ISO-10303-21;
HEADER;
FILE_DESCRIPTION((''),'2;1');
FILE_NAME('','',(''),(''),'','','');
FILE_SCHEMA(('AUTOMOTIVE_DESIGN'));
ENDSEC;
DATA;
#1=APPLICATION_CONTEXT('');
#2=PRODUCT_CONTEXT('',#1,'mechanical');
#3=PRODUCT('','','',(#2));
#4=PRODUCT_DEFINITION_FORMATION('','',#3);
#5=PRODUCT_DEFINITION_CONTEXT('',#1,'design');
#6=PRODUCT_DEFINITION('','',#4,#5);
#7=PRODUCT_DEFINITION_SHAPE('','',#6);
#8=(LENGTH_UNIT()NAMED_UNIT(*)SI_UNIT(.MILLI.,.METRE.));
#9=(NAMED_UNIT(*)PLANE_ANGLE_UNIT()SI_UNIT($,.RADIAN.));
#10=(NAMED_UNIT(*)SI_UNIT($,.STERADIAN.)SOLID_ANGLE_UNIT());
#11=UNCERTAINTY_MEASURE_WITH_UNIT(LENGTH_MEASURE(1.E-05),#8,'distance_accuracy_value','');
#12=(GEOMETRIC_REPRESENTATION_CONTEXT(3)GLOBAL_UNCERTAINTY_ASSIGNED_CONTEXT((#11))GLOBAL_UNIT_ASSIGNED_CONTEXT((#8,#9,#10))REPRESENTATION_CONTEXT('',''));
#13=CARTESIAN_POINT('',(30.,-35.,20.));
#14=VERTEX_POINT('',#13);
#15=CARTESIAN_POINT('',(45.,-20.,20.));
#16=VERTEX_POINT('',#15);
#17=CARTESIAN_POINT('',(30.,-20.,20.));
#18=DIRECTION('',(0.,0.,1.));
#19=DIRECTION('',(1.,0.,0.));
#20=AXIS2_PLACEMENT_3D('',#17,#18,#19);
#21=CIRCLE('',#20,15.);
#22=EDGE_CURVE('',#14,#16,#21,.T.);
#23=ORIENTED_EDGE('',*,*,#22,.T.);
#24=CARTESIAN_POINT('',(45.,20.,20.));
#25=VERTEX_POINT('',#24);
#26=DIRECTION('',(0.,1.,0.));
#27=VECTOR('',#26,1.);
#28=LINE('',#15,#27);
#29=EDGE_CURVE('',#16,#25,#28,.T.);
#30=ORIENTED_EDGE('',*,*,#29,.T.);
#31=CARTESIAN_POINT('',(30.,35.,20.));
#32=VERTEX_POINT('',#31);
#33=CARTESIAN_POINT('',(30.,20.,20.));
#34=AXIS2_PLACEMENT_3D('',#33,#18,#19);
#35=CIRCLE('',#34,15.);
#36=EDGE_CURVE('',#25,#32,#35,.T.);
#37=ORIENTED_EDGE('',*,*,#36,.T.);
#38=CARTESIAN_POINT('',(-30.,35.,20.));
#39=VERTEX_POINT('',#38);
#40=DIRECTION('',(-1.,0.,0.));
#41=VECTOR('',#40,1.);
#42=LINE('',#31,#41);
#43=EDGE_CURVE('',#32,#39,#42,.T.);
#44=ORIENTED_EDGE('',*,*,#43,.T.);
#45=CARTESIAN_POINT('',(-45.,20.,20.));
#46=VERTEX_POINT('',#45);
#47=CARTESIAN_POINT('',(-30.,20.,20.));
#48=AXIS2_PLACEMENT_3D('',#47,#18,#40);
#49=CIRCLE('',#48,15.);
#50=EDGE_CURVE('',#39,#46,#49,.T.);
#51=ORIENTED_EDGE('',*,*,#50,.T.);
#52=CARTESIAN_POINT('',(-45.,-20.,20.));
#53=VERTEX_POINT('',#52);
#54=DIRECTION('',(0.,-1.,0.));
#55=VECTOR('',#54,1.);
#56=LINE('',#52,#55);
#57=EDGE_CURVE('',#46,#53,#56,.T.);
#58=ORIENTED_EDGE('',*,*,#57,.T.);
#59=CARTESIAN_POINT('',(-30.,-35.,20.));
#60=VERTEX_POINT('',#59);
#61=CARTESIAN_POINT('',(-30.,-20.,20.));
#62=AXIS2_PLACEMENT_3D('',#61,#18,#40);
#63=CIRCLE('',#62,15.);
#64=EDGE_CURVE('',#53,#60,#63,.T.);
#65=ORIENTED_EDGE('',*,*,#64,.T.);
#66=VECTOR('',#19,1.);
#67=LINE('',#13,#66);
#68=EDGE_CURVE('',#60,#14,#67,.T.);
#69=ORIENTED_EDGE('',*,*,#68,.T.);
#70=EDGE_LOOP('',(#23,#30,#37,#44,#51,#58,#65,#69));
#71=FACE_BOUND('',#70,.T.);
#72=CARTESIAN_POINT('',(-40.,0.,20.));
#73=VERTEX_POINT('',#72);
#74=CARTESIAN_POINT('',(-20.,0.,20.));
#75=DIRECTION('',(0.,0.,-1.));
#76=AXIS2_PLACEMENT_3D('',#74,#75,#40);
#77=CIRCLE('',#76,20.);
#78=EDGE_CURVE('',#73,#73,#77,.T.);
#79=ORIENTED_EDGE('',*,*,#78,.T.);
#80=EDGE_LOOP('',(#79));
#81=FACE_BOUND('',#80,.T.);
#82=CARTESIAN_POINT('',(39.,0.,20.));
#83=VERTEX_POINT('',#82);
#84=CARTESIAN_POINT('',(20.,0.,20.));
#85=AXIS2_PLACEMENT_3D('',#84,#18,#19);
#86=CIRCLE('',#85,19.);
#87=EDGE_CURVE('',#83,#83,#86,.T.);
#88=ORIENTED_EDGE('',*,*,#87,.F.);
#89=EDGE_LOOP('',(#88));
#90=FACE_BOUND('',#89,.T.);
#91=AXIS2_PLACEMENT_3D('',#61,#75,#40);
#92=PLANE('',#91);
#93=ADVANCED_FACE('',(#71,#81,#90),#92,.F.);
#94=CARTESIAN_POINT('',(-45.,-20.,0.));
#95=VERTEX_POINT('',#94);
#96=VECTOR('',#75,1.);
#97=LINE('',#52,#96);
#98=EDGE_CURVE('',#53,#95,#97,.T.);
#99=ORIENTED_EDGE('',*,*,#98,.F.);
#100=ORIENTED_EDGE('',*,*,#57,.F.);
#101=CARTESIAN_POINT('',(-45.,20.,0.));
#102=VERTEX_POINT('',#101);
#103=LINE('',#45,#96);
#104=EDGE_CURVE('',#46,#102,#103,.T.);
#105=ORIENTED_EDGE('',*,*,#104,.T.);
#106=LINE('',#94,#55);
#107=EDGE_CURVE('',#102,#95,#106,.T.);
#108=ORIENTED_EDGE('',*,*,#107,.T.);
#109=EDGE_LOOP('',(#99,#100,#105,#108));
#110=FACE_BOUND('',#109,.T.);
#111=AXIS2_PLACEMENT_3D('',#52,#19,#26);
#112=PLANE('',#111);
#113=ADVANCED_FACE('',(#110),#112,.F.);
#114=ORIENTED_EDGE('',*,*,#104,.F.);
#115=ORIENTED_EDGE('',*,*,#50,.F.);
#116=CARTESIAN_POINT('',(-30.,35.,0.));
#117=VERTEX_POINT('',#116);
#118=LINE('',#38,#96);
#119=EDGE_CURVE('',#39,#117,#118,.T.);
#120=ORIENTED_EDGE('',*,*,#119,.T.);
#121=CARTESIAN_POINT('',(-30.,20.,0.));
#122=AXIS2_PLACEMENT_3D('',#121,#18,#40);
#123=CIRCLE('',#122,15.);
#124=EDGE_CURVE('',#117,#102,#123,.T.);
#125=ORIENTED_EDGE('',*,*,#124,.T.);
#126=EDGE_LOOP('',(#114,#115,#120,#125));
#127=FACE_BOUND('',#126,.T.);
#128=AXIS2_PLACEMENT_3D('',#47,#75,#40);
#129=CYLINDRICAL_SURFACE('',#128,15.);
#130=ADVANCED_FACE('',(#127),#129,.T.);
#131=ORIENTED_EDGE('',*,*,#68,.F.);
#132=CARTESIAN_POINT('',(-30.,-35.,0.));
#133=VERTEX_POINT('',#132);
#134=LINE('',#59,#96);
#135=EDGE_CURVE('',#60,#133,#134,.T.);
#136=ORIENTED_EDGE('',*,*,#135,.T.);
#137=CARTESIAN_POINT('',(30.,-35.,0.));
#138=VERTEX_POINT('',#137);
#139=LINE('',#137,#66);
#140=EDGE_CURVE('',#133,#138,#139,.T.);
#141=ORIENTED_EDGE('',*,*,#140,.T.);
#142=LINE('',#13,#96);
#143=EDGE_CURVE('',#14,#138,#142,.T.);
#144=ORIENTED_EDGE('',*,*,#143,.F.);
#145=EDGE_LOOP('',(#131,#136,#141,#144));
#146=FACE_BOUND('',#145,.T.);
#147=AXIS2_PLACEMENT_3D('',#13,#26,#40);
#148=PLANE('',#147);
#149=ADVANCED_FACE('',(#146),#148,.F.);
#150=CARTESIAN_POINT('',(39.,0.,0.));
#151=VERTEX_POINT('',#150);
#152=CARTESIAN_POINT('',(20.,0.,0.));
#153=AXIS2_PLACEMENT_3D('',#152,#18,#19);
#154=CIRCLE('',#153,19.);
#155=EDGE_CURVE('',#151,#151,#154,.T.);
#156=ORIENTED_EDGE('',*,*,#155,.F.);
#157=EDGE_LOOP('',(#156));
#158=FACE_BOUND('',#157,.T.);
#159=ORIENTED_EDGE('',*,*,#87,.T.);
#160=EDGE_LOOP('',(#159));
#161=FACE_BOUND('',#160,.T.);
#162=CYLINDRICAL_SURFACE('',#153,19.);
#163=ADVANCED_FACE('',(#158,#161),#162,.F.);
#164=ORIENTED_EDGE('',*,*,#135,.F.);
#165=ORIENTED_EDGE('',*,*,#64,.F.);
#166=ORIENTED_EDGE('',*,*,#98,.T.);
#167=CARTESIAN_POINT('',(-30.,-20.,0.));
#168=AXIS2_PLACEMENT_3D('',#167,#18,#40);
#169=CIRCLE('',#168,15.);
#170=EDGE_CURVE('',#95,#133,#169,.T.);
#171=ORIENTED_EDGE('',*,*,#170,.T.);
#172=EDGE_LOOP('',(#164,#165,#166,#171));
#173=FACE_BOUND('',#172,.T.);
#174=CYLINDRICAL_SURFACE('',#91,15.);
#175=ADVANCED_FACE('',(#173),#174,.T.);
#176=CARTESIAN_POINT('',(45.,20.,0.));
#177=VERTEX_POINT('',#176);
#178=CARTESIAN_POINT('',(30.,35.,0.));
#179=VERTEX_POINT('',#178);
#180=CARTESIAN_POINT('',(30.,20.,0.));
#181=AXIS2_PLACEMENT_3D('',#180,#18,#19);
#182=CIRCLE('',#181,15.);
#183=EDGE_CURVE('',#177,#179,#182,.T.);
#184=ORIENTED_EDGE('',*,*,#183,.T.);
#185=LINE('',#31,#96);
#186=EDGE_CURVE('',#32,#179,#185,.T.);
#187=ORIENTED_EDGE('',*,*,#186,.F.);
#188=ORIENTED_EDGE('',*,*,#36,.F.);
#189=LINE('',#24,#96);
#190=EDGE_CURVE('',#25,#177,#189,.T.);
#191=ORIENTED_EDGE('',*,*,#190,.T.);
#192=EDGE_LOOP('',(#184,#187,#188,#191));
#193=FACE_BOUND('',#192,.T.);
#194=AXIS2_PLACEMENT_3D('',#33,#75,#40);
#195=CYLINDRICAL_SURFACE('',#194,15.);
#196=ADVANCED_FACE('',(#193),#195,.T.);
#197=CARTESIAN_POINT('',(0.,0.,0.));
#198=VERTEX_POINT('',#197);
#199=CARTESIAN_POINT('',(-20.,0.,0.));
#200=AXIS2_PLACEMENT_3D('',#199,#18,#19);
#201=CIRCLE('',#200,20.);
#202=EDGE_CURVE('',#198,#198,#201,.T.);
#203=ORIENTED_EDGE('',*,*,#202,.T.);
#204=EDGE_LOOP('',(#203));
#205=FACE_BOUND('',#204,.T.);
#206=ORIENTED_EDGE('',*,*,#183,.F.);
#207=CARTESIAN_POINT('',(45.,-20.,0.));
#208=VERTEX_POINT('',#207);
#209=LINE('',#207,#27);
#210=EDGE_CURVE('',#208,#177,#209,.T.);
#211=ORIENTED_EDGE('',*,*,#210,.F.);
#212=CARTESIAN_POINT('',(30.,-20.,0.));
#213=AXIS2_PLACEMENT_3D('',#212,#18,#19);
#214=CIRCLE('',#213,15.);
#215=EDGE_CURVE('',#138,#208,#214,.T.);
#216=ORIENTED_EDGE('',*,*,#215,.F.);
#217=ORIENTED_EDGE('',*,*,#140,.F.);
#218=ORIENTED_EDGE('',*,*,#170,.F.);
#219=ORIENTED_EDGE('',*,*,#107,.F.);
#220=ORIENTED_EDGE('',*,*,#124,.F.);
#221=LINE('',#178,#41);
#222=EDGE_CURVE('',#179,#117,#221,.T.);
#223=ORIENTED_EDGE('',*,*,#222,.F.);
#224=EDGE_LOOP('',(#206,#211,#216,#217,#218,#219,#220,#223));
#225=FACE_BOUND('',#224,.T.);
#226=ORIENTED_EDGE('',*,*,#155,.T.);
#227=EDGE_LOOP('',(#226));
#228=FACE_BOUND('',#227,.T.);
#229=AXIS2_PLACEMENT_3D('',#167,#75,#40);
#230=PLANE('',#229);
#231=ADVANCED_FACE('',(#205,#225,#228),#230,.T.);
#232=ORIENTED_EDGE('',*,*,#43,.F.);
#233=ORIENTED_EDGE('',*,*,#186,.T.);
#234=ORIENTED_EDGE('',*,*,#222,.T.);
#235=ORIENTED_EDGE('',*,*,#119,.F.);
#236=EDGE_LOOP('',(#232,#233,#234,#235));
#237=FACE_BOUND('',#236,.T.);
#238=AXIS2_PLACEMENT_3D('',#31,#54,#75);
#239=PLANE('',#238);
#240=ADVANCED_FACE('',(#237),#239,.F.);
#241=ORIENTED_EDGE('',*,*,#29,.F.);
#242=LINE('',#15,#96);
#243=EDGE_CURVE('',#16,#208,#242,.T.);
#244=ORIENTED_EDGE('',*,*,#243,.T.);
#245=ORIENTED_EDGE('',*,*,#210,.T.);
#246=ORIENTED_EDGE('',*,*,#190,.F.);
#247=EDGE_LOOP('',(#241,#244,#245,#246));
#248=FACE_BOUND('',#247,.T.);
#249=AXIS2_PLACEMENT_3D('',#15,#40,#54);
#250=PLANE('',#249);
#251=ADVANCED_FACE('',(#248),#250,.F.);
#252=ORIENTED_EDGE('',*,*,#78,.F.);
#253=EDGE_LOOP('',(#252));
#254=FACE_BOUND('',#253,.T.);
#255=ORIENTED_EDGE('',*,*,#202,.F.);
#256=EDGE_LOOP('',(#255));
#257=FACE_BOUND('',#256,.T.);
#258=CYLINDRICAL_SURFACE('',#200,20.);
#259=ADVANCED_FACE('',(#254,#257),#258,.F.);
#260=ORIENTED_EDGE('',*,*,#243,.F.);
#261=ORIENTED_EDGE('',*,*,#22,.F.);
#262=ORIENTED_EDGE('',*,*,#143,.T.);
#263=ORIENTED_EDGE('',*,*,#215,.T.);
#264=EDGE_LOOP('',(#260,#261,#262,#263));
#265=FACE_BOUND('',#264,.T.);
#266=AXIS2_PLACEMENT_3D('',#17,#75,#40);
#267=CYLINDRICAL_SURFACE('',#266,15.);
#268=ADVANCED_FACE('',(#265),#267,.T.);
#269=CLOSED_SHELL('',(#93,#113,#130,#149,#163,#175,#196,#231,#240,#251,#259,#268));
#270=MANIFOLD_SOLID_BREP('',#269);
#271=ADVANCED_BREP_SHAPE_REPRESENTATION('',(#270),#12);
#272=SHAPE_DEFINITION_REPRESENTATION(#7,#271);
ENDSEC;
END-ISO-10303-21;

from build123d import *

# Parameters (mm, degrees)
BOSS_EXTRUDE1_DEPTH     = 20
SKETCH3_R               = 20
CUT_EXTRUDE2_DEPTH      = 1
CUT_EXTRUDE2_DEPTH_BACK = 21
SKETCH4_R               = 19
CUT_EXTRUDE3_DEPTH      = 21


with BuildPart() as part:
    # Sketch1 → Boss-Extrude1 (new body)
    with BuildSketch(Plane.XY):
        with BuildLine():
            Line((30, -35), (-30, -35))
            ThreePointArc((-30, -35), (-40.606601718, -30.606601718), (-45, -20))
            Line((-45, -20), (-45, 20))
            ThreePointArc((-45, 20), (-40.606601718, 30.606601718), (-30, 35))
            Line((-30, 35), (30, 35))
            ThreePointArc((30, 35), (40.606601718, 30.606601718), (45, 20))
            Line((45, 20), (45, -20))
            ThreePointArc((45, -20), (40.606601718, -30.606601718), (30, -35))
        make_face()
    extrude(amount=BOSS_EXTRUDE1_DEPTH)

    # Sketch3 → Cut-Extrude2 (cut, two sides)
    with BuildSketch(Plane.XY.offset(20)) as cut_extrude2_sk:
        with Locations((-20, 0)):
            Circle(SKETCH3_R)
    extrude(amount=CUT_EXTRUDE2_DEPTH, mode=Mode.SUBTRACT)
    extrude(cut_extrude2_sk.sketch, amount=-CUT_EXTRUDE2_DEPTH_BACK, mode=Mode.SUBTRACT)

    # Sketch4 → Cut-Extrude3 (cut, through all)
    with BuildSketch(Plane.XY.offset(20)):
        with Locations((20, 0)):
            Circle(SKETCH4_R)
    extrude(amount=-CUT_EXTRUDE3_DEPTH, mode=Mode.SUBTRACT)


solid = part.part
